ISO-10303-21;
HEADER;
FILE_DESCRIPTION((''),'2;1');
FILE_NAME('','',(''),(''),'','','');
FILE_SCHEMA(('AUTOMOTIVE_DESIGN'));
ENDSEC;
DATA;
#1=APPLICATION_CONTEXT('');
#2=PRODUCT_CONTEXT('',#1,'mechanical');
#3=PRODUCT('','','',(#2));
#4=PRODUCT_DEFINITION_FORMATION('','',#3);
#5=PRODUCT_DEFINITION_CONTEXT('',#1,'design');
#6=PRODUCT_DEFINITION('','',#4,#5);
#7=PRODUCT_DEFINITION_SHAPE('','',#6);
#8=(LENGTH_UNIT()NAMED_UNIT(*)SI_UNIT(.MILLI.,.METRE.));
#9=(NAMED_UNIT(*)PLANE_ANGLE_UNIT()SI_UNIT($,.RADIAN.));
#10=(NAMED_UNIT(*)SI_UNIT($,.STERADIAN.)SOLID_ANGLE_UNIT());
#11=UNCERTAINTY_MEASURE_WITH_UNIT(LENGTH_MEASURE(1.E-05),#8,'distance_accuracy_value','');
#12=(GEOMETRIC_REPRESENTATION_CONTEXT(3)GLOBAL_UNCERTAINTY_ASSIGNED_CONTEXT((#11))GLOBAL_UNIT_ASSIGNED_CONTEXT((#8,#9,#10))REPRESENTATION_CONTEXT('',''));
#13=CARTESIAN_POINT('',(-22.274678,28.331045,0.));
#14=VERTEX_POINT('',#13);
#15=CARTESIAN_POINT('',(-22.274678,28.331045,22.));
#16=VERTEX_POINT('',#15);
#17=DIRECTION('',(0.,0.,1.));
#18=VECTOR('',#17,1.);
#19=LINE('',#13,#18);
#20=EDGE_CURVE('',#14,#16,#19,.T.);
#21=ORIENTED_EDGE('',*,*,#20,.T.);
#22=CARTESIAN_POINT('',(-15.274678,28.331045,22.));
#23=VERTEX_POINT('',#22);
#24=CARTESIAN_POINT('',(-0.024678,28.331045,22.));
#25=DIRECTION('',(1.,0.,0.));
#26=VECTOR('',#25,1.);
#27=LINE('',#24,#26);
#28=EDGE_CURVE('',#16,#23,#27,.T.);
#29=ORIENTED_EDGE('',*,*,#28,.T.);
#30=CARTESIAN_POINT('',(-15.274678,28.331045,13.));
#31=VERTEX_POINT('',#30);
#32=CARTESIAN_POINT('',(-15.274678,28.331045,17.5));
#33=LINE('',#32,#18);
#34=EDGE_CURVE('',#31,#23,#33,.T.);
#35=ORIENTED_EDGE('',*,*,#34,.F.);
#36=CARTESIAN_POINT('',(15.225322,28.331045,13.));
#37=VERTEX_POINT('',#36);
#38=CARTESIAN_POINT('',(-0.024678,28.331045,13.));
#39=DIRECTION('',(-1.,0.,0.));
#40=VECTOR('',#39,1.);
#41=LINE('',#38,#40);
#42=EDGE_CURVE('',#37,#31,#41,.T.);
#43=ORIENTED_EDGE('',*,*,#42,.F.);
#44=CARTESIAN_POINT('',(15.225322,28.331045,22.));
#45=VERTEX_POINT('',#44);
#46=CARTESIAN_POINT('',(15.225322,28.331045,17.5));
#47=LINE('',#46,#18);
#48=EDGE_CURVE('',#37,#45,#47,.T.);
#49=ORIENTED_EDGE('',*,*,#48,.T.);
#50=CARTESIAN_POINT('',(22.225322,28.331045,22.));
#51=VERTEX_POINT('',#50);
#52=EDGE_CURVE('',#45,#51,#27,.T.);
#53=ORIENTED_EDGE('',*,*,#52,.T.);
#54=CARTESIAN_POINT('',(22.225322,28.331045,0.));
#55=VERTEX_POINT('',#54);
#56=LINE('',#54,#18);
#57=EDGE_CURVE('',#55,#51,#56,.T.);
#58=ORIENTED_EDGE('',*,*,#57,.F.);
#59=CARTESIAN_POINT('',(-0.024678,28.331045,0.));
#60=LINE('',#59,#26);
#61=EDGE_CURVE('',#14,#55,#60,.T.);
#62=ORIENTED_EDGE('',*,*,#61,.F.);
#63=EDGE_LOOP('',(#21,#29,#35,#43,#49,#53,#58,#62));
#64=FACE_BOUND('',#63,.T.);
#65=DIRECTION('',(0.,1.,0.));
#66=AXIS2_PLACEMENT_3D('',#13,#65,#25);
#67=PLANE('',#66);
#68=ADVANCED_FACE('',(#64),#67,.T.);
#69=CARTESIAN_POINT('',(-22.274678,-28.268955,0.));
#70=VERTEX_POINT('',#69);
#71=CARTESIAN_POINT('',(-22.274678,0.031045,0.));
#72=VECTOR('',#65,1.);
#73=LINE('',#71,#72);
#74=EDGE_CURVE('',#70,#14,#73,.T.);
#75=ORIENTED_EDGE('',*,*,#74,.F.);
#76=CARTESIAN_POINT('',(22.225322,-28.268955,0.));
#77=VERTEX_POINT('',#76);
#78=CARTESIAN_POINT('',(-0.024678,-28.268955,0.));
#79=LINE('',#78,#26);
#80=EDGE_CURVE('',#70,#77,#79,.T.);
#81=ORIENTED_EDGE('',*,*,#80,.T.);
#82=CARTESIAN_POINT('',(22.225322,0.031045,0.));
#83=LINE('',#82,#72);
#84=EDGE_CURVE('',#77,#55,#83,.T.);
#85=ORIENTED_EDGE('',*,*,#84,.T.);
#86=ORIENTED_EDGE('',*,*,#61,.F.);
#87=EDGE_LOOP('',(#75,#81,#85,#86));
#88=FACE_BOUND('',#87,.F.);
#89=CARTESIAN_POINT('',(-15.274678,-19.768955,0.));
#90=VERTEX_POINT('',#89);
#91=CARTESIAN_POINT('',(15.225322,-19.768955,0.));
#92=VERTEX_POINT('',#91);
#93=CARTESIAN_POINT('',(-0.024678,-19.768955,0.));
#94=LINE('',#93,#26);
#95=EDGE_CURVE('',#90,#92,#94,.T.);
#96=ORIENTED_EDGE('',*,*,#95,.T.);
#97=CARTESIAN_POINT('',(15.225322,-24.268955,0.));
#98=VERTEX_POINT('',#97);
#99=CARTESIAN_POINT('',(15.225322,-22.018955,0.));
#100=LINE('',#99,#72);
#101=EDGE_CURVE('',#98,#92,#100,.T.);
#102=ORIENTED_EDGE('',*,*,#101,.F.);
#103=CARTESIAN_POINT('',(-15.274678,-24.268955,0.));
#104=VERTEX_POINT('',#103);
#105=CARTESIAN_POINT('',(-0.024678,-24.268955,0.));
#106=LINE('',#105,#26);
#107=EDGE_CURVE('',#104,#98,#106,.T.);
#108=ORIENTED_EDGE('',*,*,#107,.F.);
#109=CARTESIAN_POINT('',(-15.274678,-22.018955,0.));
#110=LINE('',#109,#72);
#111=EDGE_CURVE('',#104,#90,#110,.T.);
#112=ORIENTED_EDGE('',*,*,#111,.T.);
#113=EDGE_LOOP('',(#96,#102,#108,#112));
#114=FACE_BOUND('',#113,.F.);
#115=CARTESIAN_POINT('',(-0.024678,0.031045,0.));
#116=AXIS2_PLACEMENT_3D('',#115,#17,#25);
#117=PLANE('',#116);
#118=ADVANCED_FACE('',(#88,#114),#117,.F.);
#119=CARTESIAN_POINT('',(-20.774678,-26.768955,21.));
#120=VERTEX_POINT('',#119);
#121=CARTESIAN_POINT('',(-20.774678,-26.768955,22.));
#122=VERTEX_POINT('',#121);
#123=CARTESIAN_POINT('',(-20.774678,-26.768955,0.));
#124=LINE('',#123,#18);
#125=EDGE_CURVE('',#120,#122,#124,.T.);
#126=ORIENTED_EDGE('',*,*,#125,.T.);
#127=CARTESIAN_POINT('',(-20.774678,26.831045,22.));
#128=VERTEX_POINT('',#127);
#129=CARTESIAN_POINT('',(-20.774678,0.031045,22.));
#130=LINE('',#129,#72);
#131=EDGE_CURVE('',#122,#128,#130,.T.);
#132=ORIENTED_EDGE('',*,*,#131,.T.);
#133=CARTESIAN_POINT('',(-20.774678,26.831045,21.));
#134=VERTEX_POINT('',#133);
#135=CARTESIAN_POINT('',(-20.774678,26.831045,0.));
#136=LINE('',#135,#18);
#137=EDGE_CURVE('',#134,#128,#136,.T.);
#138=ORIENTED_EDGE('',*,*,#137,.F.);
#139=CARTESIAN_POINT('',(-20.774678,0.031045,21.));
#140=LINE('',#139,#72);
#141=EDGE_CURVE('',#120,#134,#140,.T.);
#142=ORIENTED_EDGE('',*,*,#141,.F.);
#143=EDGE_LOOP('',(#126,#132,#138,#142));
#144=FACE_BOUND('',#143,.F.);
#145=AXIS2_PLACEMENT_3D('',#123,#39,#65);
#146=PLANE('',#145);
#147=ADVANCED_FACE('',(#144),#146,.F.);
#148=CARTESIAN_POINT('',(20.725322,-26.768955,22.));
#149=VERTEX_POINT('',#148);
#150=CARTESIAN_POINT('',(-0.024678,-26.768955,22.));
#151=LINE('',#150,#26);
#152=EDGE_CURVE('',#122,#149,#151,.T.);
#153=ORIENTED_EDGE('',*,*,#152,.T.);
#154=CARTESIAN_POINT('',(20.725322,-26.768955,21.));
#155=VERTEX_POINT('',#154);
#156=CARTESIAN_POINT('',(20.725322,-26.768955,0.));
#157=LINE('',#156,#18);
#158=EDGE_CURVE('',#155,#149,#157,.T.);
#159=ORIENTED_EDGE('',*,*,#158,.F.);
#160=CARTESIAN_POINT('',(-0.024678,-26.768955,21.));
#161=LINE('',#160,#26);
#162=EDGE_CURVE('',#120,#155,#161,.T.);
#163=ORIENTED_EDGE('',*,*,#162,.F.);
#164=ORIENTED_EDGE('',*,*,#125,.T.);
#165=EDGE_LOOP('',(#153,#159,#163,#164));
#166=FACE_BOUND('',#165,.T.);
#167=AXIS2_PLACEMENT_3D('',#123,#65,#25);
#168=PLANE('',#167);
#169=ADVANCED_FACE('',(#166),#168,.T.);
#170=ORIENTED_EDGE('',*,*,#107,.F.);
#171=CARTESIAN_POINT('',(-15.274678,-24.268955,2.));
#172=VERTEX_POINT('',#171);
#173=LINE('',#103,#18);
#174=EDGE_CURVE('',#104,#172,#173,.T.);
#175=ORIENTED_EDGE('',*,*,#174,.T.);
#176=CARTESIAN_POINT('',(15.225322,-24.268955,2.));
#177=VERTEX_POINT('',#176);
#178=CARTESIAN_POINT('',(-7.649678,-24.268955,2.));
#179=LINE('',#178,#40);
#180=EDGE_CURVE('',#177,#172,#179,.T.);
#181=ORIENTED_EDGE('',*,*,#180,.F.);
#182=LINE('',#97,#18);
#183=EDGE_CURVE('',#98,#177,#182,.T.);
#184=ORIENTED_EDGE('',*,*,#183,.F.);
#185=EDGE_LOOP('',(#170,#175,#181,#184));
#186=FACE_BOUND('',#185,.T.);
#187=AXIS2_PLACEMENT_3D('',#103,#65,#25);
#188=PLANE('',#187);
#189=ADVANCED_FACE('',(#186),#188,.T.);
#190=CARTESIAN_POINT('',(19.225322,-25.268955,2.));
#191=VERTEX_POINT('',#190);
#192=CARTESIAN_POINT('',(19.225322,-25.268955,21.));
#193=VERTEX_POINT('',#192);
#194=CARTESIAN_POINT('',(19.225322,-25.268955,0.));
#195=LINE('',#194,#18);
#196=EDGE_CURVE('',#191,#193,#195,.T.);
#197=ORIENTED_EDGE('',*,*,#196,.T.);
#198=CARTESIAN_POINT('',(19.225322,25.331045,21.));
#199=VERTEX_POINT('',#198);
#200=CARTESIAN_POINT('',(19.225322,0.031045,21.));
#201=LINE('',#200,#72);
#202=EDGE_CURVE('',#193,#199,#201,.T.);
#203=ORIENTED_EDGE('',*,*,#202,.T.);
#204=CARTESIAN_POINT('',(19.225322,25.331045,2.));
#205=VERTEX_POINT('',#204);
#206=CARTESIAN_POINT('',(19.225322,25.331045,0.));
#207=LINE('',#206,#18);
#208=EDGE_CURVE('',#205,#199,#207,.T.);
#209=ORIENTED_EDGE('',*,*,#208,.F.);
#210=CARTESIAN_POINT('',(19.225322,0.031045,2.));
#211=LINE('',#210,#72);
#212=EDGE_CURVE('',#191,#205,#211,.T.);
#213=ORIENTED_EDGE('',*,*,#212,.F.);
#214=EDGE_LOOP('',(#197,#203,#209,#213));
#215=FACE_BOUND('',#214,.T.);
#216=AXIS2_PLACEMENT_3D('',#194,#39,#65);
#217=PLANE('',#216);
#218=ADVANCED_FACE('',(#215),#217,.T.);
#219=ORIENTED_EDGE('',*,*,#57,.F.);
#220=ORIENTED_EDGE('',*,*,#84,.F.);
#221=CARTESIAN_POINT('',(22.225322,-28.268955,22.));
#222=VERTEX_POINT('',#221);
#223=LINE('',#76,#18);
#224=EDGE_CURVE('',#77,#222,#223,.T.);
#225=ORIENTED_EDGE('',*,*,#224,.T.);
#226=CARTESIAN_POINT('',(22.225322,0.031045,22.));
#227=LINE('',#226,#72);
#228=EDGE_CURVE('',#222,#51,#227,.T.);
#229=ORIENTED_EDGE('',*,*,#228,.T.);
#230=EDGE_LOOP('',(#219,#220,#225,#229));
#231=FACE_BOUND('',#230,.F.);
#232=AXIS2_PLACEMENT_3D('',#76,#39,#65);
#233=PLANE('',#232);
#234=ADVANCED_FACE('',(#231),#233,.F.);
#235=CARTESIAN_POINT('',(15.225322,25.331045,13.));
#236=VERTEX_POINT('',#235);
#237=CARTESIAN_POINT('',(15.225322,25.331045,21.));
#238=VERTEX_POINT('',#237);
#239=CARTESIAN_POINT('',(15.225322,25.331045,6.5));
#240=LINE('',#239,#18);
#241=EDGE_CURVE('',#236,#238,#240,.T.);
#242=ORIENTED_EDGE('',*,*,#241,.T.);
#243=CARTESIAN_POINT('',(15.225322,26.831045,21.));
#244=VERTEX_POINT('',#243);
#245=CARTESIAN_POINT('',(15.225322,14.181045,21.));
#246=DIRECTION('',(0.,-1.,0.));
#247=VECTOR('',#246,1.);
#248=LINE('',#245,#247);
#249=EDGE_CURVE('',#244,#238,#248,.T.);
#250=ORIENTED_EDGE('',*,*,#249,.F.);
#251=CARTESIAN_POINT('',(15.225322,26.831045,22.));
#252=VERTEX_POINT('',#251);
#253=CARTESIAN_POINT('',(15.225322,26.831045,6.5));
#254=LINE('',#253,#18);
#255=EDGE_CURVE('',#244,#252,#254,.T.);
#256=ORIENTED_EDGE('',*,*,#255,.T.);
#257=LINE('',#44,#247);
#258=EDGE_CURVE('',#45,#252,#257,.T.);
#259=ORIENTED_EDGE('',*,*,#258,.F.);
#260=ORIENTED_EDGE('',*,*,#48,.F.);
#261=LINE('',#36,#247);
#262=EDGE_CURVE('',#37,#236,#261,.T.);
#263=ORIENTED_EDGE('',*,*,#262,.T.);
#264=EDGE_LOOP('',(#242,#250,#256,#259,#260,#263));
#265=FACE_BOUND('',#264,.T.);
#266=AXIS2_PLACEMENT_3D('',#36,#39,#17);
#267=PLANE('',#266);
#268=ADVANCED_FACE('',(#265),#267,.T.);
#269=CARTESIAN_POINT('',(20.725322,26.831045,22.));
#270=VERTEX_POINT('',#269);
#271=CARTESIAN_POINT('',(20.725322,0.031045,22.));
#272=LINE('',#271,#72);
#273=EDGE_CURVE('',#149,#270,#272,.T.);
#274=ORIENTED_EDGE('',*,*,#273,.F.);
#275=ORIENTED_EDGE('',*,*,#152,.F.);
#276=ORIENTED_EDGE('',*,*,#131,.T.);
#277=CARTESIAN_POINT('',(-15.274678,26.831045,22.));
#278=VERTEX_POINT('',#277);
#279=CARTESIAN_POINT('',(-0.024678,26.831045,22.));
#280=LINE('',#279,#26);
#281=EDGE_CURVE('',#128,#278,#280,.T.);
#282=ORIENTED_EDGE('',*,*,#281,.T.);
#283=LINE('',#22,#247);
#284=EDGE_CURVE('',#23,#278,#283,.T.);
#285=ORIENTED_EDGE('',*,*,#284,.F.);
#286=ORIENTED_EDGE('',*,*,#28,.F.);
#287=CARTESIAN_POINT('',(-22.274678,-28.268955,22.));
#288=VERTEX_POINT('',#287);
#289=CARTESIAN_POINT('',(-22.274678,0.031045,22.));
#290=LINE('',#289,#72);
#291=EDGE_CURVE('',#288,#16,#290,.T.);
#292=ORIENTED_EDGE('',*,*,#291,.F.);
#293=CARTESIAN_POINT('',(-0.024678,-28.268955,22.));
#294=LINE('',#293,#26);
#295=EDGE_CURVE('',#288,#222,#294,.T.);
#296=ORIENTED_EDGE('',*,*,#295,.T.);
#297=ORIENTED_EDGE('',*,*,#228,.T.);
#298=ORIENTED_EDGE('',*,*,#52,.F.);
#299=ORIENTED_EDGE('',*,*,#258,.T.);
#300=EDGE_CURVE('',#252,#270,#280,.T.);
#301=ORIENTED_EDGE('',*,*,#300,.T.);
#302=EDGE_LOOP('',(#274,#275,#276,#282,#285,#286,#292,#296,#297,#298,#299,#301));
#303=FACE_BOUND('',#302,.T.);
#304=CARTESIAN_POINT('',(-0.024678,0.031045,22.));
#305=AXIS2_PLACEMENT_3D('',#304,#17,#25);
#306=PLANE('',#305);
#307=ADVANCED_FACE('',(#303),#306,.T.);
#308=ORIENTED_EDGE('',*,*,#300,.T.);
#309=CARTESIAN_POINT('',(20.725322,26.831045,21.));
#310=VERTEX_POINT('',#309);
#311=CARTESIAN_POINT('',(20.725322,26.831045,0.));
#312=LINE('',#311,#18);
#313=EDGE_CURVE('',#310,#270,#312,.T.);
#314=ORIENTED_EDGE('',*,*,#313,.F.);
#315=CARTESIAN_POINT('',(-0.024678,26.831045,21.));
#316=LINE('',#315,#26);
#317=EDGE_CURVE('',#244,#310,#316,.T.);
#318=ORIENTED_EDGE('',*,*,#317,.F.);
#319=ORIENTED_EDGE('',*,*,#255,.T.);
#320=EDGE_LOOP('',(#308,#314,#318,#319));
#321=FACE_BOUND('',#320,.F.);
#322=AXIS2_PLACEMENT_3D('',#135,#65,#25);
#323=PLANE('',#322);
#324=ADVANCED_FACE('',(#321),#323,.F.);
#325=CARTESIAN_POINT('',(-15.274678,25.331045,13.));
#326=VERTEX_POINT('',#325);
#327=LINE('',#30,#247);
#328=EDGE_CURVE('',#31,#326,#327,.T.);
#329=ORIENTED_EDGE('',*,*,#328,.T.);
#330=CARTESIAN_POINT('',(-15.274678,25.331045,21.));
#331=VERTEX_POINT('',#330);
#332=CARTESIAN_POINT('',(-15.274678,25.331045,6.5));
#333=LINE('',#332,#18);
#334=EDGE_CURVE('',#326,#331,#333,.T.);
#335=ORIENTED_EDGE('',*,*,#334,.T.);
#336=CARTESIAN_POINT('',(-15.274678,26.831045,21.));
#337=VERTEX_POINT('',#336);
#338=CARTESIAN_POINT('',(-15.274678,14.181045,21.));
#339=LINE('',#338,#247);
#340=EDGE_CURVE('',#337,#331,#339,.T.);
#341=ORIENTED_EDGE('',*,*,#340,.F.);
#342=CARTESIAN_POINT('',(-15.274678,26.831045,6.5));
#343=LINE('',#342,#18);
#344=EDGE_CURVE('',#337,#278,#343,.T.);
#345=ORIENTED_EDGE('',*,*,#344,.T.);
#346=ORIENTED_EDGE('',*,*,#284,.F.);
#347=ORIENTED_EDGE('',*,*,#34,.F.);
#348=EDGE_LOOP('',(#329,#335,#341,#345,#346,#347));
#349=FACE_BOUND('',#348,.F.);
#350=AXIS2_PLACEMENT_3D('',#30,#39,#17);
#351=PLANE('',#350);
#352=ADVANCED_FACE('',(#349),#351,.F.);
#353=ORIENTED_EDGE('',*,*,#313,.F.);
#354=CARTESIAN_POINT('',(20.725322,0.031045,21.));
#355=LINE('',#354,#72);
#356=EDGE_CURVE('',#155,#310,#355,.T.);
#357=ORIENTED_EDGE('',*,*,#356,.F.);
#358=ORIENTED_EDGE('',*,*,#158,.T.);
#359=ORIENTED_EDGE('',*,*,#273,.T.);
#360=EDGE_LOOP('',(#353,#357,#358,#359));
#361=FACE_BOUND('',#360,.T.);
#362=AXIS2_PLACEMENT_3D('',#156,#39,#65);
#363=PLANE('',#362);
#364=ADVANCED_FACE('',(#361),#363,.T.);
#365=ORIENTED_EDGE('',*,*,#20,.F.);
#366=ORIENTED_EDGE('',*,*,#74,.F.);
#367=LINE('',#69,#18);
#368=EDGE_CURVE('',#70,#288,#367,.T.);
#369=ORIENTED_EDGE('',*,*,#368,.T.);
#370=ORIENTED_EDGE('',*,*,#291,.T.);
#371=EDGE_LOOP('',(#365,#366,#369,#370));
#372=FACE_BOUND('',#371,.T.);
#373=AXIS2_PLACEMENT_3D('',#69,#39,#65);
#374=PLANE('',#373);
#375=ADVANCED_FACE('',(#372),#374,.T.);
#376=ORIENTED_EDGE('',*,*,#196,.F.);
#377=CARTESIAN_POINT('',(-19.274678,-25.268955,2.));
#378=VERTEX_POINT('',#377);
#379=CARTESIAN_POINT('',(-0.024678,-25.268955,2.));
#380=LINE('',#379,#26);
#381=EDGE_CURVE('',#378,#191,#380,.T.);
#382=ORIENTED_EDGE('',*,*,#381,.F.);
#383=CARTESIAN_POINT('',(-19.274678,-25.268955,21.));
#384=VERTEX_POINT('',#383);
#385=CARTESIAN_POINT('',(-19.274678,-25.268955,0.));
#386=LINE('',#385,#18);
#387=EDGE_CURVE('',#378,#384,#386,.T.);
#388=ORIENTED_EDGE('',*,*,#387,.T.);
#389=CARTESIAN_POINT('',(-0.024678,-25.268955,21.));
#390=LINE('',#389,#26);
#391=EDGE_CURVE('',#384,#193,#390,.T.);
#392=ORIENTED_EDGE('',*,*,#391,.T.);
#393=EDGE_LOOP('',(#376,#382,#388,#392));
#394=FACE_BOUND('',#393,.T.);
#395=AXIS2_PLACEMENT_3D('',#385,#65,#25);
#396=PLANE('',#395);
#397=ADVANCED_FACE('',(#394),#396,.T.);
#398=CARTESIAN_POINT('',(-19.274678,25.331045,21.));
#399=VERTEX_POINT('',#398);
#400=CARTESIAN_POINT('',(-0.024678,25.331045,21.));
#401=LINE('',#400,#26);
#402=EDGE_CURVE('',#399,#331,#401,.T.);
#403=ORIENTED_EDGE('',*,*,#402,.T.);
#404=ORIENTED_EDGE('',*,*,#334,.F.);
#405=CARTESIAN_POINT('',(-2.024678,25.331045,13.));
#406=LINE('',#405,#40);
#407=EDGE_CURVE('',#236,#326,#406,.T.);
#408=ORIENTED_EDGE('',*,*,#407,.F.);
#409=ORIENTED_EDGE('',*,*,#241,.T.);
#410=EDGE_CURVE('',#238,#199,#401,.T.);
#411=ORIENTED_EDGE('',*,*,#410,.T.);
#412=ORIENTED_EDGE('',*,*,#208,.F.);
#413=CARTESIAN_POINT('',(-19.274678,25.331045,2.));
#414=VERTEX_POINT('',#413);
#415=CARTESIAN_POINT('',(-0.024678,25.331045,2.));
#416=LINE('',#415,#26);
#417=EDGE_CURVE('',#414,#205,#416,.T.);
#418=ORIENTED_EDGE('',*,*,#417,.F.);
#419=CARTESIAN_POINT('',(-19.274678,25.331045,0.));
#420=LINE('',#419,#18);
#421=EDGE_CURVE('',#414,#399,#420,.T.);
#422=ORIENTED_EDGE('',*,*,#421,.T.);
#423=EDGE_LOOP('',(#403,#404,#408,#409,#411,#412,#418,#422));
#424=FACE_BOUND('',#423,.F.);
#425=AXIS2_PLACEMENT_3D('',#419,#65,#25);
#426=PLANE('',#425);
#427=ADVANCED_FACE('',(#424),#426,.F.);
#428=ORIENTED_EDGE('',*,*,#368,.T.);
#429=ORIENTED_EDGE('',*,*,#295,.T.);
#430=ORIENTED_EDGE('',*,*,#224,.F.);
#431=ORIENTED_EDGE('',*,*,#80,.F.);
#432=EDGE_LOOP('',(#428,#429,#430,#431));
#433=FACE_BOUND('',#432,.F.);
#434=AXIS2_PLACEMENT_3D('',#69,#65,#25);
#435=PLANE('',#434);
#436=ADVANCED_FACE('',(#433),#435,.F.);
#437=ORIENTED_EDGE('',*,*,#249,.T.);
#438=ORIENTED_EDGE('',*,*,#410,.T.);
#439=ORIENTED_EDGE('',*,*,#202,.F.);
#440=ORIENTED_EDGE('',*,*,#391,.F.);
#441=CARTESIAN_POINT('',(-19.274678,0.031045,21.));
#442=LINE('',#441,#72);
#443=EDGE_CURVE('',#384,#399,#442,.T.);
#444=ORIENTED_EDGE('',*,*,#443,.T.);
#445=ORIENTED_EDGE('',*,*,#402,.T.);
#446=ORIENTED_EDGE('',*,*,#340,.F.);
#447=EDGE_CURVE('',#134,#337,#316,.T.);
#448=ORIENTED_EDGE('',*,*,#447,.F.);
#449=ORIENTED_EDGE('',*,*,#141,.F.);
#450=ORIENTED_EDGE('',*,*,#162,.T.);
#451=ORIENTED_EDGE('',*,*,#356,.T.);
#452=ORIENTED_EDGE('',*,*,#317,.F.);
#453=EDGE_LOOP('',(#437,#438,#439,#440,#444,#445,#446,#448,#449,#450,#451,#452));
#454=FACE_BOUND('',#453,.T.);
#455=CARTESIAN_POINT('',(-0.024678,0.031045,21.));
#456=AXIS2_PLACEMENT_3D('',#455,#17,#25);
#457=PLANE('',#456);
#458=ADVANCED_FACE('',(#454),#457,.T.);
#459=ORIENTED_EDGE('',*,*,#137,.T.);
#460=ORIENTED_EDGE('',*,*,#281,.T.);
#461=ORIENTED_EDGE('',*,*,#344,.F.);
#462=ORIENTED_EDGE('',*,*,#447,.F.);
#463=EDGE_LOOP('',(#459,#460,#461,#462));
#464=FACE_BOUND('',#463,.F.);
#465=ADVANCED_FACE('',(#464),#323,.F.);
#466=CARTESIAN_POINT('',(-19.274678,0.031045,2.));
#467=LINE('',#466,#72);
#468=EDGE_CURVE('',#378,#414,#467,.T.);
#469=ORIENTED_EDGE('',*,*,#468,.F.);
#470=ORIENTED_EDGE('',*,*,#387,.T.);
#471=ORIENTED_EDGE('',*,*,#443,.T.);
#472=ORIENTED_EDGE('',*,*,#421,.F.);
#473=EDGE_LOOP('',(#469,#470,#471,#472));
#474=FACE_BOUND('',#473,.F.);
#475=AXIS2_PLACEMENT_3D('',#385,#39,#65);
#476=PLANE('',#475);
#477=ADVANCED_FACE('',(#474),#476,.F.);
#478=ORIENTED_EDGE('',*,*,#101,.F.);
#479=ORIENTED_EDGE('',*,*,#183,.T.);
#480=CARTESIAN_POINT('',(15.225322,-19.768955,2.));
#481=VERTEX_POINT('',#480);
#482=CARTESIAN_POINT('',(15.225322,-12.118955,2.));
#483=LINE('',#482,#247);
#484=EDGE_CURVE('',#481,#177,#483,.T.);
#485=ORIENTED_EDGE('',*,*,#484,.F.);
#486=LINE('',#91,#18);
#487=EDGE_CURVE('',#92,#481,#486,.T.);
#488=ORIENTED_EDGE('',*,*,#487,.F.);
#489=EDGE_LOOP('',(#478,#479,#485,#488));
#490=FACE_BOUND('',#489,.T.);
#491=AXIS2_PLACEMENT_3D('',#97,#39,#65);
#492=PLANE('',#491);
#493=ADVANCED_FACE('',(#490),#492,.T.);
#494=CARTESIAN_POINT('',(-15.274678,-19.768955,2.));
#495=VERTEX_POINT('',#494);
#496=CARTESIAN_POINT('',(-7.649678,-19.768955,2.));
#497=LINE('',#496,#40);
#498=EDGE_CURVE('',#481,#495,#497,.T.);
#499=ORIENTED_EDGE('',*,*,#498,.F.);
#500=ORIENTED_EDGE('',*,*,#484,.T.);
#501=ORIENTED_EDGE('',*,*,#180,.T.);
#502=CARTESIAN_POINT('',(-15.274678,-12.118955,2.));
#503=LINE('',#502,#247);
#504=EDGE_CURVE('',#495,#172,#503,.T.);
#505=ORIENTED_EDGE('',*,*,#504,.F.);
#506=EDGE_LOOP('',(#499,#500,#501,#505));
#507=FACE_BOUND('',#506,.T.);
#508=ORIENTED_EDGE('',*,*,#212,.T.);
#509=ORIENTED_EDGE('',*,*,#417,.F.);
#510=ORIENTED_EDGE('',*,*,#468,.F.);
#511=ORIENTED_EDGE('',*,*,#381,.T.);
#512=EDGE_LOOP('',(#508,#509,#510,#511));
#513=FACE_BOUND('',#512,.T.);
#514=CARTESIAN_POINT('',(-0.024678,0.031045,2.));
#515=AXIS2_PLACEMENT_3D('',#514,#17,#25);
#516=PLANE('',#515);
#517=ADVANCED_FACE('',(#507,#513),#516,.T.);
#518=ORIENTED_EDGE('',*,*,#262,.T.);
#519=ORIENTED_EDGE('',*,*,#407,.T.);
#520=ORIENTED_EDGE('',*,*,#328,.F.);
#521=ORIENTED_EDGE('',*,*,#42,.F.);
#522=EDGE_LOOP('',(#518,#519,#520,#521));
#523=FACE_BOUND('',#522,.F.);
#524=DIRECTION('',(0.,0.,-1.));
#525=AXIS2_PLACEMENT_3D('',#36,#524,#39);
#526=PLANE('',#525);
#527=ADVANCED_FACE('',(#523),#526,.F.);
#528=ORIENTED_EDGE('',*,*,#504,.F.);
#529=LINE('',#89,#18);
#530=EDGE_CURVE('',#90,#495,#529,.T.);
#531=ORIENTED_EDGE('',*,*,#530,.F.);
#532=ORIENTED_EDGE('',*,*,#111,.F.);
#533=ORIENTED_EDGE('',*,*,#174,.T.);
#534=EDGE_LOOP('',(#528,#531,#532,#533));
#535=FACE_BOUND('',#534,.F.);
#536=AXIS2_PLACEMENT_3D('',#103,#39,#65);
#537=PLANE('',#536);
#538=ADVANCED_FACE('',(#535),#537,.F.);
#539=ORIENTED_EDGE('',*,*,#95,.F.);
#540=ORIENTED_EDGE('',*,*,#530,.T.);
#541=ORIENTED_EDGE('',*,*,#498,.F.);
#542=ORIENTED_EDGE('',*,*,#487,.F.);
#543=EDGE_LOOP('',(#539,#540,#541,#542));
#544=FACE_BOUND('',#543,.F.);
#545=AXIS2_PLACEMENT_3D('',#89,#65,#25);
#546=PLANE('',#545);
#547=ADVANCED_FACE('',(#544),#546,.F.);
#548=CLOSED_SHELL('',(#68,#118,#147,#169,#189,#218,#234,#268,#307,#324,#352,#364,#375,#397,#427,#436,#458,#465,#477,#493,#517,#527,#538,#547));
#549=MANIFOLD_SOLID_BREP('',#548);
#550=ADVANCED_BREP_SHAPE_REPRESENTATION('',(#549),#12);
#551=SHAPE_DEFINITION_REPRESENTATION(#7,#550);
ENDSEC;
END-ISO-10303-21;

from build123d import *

# Parameters (mm, degrees)
F0_W     = 38.5
F0_H     = 50.6
F1_DEPTH = 2
F0_W_2   = 41.5
F0_H_2   = 53.6
F2_DEPTH = 21
F0_W_3   = 44.5
F0_H_3   = 56.6
F3_DEPTH = 22
F4_W     = 30.5
F4_H     = 9
F5_DEPTH = 4
F6_W     = 30.5
F6_H     = 4.5
F7_DEPTH = 4


with BuildPart() as f1:
    # F0 (on Top) → F1 (new body)
    with BuildSketch(Plane.XY):
        with Locations((-0.024678, 0.031045)):
            Rectangle(F0_W, F0_H)
    extrude(amount=F1_DEPTH)

    # F0 (on Top) → F2 (join)
    with BuildSketch(Plane.XY):
        with Locations((-0.024678, 0.031045)):
            Rectangle(F0_W_2, F0_H_2)
        with Locations((-0.024678, 0.031045)):
            Rectangle(F0_W, F0_H, mode=Mode.SUBTRACT)
    extrude(amount=F2_DEPTH)

    # F0 (on Top) → F3 (join)
    with BuildSketch(Plane.XY):
        with Locations((-0.024678, 0.031045)):
            Rectangle(F0_W_3, F0_H_3)
        with Locations((-0.024678, 0.031045)):
            Rectangle(F0_W_2, F0_H_2, mode=Mode.SUBTRACT)
    extrude(amount=F3_DEPTH)

    # F4 (on face) → F5 (cut)
    with BuildSketch(Plane(origin=(0, 28.331045, 0), x_dir=(-1, 0, 0), z_dir=(0, 1, 0))):
        with Locations((0.024678, 17.5)):
            Rectangle(F4_W, F4_H)
    extrude(amount=-F5_DEPTH, mode=Mode.SUBTRACT)

    # F6 (on face) → F7 (cut)
    with BuildSketch(Plane.XY):
        with Locations((-0.024678, -22.018955)):
            Rectangle(F6_W, F6_H)
    extrude(amount=F7_DEPTH, mode=Mode.SUBTRACT)


solid = f1.part
